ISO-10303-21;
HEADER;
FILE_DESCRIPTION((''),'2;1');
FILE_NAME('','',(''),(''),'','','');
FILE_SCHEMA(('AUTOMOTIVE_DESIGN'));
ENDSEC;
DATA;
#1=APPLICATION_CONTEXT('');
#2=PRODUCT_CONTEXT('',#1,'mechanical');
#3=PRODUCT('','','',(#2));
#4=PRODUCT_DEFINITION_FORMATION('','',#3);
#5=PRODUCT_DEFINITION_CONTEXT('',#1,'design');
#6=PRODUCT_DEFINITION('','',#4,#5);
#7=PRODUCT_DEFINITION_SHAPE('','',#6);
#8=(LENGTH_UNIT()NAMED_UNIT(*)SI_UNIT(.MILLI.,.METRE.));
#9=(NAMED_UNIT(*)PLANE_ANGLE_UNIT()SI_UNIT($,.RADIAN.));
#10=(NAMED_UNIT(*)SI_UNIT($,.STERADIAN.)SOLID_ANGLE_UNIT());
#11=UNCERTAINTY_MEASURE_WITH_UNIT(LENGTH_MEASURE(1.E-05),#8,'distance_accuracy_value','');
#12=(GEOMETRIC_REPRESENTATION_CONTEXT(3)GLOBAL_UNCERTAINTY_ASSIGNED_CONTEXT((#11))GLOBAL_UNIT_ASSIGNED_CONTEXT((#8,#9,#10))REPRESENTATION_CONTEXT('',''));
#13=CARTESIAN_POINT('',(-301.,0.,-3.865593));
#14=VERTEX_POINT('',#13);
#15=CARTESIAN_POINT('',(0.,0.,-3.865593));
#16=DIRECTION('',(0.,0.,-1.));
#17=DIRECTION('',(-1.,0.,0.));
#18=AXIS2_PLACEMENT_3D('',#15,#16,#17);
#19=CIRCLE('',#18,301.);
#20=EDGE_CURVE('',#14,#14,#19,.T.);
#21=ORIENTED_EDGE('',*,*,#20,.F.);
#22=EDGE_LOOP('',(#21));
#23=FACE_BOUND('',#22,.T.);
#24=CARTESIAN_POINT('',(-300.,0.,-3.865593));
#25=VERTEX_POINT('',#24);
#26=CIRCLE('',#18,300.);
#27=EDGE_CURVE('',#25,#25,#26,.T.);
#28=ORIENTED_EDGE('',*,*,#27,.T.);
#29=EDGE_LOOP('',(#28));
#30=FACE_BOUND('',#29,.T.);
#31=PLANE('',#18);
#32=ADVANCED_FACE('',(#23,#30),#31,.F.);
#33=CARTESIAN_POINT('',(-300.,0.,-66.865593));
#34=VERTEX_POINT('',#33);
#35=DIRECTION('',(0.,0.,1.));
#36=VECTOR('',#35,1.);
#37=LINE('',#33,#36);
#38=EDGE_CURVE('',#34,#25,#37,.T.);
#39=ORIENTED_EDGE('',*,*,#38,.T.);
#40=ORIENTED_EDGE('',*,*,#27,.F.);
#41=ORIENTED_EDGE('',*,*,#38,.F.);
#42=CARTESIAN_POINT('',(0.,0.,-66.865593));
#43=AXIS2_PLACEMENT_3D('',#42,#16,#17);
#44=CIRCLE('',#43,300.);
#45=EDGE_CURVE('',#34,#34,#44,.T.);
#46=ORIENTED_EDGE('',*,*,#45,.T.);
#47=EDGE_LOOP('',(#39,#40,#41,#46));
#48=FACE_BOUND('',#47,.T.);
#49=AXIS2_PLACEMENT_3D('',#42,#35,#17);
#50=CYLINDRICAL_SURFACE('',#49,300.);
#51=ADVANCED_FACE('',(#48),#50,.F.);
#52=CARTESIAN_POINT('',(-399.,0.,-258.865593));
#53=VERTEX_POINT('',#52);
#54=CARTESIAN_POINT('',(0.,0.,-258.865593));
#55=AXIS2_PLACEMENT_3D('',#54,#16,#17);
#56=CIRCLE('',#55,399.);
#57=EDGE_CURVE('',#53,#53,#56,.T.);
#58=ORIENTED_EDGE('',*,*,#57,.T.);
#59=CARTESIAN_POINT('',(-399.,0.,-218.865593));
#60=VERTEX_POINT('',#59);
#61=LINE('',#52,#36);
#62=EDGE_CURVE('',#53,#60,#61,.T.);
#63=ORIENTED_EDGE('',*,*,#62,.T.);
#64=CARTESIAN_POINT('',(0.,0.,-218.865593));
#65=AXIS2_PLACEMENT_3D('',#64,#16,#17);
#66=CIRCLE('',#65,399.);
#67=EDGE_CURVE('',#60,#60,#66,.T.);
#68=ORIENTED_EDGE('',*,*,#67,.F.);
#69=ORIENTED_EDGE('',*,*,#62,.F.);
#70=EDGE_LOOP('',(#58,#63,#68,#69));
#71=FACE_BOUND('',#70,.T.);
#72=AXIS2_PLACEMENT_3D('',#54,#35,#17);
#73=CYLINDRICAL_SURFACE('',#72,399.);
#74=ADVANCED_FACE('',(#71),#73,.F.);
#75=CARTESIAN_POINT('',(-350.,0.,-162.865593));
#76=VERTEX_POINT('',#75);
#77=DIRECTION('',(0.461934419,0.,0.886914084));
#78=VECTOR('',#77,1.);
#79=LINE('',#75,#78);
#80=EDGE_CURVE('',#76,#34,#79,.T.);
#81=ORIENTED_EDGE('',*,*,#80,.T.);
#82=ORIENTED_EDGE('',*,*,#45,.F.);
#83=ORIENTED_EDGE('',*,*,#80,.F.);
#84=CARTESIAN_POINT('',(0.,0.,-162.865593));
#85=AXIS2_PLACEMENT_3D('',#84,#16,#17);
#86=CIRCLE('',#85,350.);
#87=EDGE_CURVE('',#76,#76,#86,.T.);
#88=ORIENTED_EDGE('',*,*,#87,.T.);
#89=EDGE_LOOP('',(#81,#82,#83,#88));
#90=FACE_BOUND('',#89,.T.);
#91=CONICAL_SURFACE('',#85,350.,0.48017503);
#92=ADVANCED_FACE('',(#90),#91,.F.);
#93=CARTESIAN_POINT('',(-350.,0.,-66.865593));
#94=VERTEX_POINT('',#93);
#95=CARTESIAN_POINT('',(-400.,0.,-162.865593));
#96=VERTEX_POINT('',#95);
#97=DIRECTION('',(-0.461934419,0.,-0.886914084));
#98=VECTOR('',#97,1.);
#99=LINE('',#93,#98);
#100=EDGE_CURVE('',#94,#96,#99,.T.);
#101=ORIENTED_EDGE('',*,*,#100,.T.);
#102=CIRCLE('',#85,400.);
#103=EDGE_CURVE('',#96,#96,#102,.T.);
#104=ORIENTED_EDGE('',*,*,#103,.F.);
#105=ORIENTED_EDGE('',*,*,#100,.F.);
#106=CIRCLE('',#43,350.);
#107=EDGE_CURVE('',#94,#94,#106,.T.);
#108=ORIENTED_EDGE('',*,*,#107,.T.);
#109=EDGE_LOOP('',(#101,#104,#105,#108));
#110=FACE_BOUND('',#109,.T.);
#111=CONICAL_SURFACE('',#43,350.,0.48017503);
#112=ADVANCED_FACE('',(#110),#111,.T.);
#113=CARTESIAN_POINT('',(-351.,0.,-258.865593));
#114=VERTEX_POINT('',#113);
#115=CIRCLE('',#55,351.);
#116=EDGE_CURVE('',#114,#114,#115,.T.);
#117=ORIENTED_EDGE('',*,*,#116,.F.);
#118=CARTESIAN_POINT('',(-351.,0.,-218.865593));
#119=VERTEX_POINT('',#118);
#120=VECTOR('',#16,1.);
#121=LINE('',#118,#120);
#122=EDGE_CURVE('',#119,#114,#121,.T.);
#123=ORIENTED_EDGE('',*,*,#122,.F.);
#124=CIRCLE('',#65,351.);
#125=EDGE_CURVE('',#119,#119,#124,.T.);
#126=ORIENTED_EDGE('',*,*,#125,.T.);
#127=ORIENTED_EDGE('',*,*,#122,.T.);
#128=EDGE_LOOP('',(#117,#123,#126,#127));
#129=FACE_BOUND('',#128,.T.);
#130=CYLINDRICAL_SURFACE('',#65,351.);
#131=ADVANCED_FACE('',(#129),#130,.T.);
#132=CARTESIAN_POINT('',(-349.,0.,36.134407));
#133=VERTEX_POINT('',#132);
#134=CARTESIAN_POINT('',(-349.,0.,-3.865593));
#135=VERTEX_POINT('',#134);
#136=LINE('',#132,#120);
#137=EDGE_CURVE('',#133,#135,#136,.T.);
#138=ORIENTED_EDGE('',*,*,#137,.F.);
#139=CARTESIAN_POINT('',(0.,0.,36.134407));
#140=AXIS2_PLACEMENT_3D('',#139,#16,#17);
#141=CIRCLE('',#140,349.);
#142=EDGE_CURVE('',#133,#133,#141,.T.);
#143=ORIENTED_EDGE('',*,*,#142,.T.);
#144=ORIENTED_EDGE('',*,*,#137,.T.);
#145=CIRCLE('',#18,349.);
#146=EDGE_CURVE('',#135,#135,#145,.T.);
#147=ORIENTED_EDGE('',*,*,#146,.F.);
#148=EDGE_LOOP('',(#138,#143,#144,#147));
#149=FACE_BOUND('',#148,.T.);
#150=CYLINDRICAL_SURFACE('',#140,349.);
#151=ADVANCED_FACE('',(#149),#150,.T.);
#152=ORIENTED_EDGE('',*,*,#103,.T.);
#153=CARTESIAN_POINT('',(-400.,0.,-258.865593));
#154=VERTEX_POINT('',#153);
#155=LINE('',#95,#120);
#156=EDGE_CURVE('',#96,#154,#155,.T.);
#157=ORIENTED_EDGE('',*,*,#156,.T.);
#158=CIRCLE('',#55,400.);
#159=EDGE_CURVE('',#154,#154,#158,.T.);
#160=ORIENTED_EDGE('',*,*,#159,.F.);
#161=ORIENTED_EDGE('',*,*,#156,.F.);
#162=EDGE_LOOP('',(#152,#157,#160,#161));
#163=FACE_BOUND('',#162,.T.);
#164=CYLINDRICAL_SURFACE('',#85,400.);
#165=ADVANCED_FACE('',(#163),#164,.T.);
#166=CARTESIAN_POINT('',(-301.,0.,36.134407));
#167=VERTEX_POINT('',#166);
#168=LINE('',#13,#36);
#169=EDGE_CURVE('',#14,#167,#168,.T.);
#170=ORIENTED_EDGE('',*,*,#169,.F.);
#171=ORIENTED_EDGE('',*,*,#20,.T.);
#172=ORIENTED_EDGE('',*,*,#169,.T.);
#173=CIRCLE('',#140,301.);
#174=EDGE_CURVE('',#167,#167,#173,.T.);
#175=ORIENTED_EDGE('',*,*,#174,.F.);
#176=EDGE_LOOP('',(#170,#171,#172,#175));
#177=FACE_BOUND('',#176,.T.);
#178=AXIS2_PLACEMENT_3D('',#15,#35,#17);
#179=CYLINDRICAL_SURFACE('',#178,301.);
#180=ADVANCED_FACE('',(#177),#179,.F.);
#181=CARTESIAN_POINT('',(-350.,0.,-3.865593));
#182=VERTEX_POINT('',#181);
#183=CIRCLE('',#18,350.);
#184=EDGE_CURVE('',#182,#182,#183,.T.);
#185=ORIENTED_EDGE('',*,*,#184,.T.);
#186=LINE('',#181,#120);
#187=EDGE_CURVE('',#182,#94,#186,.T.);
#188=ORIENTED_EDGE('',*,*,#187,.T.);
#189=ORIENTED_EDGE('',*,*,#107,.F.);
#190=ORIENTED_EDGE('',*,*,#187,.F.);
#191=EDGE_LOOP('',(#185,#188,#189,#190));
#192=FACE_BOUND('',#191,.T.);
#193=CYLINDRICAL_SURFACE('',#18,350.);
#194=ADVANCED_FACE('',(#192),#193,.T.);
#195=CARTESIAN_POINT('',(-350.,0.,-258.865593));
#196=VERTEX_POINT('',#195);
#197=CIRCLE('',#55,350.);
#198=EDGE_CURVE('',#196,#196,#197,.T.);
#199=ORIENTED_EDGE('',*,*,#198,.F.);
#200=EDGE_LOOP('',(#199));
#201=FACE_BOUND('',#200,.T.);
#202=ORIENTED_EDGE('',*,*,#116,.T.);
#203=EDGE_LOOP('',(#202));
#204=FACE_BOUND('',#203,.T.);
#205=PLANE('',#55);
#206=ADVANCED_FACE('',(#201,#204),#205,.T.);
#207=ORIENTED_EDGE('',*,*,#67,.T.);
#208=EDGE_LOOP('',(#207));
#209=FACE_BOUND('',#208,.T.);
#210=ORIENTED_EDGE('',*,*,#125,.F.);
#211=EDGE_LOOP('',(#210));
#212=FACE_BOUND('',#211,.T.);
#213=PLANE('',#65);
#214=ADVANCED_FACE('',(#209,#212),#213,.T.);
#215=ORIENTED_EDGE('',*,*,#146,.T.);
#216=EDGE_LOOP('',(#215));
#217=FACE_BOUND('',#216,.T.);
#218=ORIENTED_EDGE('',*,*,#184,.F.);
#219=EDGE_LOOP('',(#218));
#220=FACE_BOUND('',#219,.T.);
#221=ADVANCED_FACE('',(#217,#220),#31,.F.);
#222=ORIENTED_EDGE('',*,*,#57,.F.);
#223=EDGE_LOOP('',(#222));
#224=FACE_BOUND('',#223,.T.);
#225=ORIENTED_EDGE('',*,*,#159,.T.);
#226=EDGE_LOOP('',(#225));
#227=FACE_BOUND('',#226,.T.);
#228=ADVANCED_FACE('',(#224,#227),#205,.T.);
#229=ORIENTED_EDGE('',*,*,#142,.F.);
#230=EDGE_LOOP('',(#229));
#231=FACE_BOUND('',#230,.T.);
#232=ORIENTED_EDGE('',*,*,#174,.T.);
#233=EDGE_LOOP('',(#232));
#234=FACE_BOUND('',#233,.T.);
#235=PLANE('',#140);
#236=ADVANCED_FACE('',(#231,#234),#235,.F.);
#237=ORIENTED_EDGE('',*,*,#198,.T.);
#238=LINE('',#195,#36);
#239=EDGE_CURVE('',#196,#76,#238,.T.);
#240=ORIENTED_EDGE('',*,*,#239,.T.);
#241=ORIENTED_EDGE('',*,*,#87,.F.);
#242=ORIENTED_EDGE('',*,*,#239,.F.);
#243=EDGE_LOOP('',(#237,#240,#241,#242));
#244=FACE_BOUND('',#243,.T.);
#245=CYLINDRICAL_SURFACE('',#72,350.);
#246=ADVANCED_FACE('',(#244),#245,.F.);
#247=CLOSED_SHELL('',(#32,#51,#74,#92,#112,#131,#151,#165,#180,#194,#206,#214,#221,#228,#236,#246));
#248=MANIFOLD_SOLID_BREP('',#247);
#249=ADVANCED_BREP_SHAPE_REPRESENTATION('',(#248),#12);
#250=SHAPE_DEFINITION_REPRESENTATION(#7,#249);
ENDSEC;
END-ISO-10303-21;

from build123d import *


with BuildPart() as f1:
    # F0 (on Front) → F1 (revolve)
    with BuildSketch(Plane.XZ):
        Polygon((-351, -258.865593), (-350, -258.865593), (-350, -162.865593), (-300, -66.865593), (-300, -3.865593), (-301, -3.865593), (-301, 36.134407), (-349, 36.134407), (-349, -3.865593), (-350, -3.865593), (-350, -66.865593), (-400, -162.865593), (-400, -258.865593), (-399, -258.865593), (-399, -218.865593), (-351, -218.865593), align=None)
    revolve(axis=Axis((0, 0, -0.829662), (0, 0, -1)))


solid = f1.part
